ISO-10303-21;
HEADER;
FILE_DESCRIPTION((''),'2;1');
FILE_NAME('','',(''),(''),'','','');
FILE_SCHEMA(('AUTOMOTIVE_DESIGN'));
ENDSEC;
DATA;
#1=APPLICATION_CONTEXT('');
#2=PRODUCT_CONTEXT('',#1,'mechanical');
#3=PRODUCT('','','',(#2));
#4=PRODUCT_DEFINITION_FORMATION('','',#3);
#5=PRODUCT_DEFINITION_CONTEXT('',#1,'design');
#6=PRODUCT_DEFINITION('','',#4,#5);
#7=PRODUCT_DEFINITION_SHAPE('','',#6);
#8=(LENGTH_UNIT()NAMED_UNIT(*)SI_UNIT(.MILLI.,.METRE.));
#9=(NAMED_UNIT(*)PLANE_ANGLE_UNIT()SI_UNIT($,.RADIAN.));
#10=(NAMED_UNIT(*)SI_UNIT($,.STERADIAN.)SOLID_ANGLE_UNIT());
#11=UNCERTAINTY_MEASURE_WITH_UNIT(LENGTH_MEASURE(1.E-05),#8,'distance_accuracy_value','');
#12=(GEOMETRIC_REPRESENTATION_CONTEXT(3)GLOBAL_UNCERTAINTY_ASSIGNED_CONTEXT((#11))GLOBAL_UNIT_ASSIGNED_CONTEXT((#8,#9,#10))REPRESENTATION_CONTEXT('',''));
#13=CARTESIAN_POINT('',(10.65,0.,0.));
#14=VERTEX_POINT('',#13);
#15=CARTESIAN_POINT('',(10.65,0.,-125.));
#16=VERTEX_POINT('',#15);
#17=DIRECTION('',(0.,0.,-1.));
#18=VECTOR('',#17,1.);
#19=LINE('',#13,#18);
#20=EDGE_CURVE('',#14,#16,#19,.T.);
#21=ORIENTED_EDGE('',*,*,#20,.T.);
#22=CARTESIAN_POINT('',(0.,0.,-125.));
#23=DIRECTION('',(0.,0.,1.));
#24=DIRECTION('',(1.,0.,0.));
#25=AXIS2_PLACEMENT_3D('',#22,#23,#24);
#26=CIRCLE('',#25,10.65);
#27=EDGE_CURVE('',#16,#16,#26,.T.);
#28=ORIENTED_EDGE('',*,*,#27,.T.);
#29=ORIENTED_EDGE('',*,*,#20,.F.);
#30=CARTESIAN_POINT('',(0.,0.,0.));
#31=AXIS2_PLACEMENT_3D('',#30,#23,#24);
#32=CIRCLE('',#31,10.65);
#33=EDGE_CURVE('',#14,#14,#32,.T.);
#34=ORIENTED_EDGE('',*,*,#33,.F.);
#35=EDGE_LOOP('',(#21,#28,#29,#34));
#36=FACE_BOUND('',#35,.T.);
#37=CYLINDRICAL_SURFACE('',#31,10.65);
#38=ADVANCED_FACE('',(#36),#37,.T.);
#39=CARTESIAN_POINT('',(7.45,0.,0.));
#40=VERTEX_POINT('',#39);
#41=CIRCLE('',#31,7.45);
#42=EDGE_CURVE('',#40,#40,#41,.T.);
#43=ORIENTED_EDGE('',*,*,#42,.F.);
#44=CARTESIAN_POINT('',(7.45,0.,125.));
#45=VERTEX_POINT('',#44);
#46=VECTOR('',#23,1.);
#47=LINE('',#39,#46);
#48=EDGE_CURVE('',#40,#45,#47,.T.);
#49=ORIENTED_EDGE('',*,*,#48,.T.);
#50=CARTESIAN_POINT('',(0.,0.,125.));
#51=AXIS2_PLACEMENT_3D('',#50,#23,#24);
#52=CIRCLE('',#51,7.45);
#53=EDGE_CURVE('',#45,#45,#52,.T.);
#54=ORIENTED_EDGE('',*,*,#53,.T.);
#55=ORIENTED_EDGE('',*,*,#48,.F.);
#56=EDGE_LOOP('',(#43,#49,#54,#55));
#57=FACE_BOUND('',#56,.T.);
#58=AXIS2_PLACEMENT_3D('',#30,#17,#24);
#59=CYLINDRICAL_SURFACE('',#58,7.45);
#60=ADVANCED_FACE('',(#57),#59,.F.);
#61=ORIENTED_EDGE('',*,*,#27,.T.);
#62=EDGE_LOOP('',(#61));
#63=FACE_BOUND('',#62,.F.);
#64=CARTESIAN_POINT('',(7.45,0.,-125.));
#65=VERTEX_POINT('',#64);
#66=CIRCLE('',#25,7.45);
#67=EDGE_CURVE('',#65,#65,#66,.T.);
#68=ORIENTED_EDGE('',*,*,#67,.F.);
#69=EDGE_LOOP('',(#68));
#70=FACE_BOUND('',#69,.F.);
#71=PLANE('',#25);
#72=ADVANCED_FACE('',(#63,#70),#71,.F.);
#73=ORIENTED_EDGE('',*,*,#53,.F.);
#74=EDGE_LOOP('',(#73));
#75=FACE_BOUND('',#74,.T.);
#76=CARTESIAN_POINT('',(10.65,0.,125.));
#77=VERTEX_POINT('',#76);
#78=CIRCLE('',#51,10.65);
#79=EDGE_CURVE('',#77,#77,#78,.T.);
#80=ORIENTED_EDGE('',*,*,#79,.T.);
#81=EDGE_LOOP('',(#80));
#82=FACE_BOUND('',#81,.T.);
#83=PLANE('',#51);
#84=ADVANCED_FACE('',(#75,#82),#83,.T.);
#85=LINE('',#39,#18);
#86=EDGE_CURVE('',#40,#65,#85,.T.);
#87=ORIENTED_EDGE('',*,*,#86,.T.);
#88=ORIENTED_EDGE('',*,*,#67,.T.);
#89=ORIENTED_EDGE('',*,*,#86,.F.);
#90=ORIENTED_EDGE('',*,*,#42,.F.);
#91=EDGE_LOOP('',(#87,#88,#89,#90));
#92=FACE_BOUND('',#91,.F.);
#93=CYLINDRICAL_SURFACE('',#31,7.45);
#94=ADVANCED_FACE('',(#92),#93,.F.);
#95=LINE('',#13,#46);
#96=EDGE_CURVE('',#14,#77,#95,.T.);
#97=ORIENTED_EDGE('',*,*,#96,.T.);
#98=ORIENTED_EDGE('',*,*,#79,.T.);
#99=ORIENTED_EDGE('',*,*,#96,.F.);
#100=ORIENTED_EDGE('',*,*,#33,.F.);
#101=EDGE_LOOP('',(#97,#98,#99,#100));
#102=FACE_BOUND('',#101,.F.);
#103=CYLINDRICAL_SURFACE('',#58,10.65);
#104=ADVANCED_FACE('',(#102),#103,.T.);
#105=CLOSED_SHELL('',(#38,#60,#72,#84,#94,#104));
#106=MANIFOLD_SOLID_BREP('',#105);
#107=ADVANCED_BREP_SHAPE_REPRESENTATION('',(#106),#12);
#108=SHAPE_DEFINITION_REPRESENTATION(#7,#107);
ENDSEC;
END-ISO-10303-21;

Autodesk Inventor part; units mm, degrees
ref_plane "YZ Plane" through (0, 0, 0) normal (1, 0, 0) x (0, 1, 0)
ref_plane "XZ Plane" through (0, 0, 0) normal (0, 1, 0) x (-1, 0, 0)
ref_plane "XY Plane" through (0, 0, 0) normal (0, 0, 1) x (1, 0, 0)
sketch "Sketch1" plane through (0, 0, 0) normal (0, 0, 1) x (1, 0, 0)
  circle A0 centre (0, 0) radius 10.65
  circle A1 centre (0, 0) radius 7.45
  dimension "OD" = 21.3
  dimension "t" = 3.2
extrude "Extrusion1" add sketch "Sketch1" along normal mid plane 250
equation "\"size\" = 4"
properties part number "tube-02"
